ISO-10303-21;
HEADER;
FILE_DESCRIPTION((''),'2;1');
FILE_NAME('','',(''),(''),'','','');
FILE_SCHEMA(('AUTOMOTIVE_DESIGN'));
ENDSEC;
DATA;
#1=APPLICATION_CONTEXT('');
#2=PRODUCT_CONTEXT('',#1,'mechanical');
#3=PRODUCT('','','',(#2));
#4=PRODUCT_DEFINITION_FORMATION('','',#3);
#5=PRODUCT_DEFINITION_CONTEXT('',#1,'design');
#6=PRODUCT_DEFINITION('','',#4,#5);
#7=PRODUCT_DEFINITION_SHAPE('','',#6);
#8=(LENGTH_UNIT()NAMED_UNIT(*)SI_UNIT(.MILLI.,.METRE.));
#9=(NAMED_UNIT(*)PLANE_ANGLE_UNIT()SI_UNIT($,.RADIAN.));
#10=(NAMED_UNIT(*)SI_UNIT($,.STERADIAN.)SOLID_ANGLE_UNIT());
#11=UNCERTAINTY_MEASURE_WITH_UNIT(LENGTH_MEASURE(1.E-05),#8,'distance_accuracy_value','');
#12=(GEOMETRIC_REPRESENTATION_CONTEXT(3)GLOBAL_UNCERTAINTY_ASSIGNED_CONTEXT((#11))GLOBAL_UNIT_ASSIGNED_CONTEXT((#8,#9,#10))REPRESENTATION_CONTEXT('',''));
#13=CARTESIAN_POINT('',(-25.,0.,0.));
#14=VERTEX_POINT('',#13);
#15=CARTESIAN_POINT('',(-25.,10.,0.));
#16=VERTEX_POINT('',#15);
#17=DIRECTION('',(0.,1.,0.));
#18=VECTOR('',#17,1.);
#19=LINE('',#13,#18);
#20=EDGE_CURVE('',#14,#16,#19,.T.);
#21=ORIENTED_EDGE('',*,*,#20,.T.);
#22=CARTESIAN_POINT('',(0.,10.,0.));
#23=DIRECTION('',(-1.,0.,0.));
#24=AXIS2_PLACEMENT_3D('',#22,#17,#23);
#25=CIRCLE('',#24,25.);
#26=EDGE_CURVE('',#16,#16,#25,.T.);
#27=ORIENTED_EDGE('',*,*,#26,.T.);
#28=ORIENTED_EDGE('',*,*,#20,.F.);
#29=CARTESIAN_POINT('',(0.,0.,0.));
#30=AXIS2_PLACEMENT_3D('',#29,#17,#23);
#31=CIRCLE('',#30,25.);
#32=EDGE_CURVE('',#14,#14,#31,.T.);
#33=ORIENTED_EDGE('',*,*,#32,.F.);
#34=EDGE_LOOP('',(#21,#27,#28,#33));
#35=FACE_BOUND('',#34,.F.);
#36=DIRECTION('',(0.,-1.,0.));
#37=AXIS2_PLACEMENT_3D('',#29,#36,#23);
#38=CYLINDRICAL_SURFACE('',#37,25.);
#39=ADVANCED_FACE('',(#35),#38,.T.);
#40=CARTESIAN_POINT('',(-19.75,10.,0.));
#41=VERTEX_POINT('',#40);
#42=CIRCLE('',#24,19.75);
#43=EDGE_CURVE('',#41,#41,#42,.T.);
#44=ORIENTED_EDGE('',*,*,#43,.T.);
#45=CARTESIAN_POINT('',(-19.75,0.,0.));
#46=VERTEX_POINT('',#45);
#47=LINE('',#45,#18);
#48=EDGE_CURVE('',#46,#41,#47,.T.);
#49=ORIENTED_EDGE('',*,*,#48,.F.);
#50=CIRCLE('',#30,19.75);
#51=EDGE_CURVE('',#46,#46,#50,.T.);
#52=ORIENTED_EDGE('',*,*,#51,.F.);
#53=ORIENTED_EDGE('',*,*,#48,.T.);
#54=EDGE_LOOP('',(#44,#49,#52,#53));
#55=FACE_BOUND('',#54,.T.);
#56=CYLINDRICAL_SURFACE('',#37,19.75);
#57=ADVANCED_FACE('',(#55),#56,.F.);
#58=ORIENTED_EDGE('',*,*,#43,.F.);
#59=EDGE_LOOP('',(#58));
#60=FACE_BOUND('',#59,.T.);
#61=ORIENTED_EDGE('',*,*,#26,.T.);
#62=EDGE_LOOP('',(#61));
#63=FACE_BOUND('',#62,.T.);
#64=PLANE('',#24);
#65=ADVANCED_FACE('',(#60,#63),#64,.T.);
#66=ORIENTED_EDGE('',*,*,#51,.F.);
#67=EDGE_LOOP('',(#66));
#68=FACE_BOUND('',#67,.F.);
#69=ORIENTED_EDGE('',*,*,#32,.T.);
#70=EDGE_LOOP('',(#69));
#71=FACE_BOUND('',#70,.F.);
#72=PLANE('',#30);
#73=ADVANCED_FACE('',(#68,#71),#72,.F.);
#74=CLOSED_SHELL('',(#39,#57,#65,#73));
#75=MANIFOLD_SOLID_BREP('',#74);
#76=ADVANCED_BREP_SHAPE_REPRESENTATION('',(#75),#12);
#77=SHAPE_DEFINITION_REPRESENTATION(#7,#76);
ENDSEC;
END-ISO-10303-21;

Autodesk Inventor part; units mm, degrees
ref_plane "YZ Plane" through (0, 0, 0) normal (1, 0, 0) x (0, 1, 0)
ref_plane "XZ Plane" through (0, 0, 0) normal (0, 1, 0) x (-1, 0, 0)
ref_plane "XY Plane" through (0, 0, 0) normal (0, 0, 1) x (1, 0, 0)
sketch "Sketch1" plane through (0, 0, 0) normal (0, 1, 0) x (-1, 0, 0)
  circle A0 centre (0, 0) radius 19.75
  circle A1 centre (0, 0) radius 25
  dimension "d0" = 39.5
  dimension "d1" = 50
extrude "Extrusion1" add sketch "Sketch1" along normal blind 10
properties part number "motor-mount-bottom"
